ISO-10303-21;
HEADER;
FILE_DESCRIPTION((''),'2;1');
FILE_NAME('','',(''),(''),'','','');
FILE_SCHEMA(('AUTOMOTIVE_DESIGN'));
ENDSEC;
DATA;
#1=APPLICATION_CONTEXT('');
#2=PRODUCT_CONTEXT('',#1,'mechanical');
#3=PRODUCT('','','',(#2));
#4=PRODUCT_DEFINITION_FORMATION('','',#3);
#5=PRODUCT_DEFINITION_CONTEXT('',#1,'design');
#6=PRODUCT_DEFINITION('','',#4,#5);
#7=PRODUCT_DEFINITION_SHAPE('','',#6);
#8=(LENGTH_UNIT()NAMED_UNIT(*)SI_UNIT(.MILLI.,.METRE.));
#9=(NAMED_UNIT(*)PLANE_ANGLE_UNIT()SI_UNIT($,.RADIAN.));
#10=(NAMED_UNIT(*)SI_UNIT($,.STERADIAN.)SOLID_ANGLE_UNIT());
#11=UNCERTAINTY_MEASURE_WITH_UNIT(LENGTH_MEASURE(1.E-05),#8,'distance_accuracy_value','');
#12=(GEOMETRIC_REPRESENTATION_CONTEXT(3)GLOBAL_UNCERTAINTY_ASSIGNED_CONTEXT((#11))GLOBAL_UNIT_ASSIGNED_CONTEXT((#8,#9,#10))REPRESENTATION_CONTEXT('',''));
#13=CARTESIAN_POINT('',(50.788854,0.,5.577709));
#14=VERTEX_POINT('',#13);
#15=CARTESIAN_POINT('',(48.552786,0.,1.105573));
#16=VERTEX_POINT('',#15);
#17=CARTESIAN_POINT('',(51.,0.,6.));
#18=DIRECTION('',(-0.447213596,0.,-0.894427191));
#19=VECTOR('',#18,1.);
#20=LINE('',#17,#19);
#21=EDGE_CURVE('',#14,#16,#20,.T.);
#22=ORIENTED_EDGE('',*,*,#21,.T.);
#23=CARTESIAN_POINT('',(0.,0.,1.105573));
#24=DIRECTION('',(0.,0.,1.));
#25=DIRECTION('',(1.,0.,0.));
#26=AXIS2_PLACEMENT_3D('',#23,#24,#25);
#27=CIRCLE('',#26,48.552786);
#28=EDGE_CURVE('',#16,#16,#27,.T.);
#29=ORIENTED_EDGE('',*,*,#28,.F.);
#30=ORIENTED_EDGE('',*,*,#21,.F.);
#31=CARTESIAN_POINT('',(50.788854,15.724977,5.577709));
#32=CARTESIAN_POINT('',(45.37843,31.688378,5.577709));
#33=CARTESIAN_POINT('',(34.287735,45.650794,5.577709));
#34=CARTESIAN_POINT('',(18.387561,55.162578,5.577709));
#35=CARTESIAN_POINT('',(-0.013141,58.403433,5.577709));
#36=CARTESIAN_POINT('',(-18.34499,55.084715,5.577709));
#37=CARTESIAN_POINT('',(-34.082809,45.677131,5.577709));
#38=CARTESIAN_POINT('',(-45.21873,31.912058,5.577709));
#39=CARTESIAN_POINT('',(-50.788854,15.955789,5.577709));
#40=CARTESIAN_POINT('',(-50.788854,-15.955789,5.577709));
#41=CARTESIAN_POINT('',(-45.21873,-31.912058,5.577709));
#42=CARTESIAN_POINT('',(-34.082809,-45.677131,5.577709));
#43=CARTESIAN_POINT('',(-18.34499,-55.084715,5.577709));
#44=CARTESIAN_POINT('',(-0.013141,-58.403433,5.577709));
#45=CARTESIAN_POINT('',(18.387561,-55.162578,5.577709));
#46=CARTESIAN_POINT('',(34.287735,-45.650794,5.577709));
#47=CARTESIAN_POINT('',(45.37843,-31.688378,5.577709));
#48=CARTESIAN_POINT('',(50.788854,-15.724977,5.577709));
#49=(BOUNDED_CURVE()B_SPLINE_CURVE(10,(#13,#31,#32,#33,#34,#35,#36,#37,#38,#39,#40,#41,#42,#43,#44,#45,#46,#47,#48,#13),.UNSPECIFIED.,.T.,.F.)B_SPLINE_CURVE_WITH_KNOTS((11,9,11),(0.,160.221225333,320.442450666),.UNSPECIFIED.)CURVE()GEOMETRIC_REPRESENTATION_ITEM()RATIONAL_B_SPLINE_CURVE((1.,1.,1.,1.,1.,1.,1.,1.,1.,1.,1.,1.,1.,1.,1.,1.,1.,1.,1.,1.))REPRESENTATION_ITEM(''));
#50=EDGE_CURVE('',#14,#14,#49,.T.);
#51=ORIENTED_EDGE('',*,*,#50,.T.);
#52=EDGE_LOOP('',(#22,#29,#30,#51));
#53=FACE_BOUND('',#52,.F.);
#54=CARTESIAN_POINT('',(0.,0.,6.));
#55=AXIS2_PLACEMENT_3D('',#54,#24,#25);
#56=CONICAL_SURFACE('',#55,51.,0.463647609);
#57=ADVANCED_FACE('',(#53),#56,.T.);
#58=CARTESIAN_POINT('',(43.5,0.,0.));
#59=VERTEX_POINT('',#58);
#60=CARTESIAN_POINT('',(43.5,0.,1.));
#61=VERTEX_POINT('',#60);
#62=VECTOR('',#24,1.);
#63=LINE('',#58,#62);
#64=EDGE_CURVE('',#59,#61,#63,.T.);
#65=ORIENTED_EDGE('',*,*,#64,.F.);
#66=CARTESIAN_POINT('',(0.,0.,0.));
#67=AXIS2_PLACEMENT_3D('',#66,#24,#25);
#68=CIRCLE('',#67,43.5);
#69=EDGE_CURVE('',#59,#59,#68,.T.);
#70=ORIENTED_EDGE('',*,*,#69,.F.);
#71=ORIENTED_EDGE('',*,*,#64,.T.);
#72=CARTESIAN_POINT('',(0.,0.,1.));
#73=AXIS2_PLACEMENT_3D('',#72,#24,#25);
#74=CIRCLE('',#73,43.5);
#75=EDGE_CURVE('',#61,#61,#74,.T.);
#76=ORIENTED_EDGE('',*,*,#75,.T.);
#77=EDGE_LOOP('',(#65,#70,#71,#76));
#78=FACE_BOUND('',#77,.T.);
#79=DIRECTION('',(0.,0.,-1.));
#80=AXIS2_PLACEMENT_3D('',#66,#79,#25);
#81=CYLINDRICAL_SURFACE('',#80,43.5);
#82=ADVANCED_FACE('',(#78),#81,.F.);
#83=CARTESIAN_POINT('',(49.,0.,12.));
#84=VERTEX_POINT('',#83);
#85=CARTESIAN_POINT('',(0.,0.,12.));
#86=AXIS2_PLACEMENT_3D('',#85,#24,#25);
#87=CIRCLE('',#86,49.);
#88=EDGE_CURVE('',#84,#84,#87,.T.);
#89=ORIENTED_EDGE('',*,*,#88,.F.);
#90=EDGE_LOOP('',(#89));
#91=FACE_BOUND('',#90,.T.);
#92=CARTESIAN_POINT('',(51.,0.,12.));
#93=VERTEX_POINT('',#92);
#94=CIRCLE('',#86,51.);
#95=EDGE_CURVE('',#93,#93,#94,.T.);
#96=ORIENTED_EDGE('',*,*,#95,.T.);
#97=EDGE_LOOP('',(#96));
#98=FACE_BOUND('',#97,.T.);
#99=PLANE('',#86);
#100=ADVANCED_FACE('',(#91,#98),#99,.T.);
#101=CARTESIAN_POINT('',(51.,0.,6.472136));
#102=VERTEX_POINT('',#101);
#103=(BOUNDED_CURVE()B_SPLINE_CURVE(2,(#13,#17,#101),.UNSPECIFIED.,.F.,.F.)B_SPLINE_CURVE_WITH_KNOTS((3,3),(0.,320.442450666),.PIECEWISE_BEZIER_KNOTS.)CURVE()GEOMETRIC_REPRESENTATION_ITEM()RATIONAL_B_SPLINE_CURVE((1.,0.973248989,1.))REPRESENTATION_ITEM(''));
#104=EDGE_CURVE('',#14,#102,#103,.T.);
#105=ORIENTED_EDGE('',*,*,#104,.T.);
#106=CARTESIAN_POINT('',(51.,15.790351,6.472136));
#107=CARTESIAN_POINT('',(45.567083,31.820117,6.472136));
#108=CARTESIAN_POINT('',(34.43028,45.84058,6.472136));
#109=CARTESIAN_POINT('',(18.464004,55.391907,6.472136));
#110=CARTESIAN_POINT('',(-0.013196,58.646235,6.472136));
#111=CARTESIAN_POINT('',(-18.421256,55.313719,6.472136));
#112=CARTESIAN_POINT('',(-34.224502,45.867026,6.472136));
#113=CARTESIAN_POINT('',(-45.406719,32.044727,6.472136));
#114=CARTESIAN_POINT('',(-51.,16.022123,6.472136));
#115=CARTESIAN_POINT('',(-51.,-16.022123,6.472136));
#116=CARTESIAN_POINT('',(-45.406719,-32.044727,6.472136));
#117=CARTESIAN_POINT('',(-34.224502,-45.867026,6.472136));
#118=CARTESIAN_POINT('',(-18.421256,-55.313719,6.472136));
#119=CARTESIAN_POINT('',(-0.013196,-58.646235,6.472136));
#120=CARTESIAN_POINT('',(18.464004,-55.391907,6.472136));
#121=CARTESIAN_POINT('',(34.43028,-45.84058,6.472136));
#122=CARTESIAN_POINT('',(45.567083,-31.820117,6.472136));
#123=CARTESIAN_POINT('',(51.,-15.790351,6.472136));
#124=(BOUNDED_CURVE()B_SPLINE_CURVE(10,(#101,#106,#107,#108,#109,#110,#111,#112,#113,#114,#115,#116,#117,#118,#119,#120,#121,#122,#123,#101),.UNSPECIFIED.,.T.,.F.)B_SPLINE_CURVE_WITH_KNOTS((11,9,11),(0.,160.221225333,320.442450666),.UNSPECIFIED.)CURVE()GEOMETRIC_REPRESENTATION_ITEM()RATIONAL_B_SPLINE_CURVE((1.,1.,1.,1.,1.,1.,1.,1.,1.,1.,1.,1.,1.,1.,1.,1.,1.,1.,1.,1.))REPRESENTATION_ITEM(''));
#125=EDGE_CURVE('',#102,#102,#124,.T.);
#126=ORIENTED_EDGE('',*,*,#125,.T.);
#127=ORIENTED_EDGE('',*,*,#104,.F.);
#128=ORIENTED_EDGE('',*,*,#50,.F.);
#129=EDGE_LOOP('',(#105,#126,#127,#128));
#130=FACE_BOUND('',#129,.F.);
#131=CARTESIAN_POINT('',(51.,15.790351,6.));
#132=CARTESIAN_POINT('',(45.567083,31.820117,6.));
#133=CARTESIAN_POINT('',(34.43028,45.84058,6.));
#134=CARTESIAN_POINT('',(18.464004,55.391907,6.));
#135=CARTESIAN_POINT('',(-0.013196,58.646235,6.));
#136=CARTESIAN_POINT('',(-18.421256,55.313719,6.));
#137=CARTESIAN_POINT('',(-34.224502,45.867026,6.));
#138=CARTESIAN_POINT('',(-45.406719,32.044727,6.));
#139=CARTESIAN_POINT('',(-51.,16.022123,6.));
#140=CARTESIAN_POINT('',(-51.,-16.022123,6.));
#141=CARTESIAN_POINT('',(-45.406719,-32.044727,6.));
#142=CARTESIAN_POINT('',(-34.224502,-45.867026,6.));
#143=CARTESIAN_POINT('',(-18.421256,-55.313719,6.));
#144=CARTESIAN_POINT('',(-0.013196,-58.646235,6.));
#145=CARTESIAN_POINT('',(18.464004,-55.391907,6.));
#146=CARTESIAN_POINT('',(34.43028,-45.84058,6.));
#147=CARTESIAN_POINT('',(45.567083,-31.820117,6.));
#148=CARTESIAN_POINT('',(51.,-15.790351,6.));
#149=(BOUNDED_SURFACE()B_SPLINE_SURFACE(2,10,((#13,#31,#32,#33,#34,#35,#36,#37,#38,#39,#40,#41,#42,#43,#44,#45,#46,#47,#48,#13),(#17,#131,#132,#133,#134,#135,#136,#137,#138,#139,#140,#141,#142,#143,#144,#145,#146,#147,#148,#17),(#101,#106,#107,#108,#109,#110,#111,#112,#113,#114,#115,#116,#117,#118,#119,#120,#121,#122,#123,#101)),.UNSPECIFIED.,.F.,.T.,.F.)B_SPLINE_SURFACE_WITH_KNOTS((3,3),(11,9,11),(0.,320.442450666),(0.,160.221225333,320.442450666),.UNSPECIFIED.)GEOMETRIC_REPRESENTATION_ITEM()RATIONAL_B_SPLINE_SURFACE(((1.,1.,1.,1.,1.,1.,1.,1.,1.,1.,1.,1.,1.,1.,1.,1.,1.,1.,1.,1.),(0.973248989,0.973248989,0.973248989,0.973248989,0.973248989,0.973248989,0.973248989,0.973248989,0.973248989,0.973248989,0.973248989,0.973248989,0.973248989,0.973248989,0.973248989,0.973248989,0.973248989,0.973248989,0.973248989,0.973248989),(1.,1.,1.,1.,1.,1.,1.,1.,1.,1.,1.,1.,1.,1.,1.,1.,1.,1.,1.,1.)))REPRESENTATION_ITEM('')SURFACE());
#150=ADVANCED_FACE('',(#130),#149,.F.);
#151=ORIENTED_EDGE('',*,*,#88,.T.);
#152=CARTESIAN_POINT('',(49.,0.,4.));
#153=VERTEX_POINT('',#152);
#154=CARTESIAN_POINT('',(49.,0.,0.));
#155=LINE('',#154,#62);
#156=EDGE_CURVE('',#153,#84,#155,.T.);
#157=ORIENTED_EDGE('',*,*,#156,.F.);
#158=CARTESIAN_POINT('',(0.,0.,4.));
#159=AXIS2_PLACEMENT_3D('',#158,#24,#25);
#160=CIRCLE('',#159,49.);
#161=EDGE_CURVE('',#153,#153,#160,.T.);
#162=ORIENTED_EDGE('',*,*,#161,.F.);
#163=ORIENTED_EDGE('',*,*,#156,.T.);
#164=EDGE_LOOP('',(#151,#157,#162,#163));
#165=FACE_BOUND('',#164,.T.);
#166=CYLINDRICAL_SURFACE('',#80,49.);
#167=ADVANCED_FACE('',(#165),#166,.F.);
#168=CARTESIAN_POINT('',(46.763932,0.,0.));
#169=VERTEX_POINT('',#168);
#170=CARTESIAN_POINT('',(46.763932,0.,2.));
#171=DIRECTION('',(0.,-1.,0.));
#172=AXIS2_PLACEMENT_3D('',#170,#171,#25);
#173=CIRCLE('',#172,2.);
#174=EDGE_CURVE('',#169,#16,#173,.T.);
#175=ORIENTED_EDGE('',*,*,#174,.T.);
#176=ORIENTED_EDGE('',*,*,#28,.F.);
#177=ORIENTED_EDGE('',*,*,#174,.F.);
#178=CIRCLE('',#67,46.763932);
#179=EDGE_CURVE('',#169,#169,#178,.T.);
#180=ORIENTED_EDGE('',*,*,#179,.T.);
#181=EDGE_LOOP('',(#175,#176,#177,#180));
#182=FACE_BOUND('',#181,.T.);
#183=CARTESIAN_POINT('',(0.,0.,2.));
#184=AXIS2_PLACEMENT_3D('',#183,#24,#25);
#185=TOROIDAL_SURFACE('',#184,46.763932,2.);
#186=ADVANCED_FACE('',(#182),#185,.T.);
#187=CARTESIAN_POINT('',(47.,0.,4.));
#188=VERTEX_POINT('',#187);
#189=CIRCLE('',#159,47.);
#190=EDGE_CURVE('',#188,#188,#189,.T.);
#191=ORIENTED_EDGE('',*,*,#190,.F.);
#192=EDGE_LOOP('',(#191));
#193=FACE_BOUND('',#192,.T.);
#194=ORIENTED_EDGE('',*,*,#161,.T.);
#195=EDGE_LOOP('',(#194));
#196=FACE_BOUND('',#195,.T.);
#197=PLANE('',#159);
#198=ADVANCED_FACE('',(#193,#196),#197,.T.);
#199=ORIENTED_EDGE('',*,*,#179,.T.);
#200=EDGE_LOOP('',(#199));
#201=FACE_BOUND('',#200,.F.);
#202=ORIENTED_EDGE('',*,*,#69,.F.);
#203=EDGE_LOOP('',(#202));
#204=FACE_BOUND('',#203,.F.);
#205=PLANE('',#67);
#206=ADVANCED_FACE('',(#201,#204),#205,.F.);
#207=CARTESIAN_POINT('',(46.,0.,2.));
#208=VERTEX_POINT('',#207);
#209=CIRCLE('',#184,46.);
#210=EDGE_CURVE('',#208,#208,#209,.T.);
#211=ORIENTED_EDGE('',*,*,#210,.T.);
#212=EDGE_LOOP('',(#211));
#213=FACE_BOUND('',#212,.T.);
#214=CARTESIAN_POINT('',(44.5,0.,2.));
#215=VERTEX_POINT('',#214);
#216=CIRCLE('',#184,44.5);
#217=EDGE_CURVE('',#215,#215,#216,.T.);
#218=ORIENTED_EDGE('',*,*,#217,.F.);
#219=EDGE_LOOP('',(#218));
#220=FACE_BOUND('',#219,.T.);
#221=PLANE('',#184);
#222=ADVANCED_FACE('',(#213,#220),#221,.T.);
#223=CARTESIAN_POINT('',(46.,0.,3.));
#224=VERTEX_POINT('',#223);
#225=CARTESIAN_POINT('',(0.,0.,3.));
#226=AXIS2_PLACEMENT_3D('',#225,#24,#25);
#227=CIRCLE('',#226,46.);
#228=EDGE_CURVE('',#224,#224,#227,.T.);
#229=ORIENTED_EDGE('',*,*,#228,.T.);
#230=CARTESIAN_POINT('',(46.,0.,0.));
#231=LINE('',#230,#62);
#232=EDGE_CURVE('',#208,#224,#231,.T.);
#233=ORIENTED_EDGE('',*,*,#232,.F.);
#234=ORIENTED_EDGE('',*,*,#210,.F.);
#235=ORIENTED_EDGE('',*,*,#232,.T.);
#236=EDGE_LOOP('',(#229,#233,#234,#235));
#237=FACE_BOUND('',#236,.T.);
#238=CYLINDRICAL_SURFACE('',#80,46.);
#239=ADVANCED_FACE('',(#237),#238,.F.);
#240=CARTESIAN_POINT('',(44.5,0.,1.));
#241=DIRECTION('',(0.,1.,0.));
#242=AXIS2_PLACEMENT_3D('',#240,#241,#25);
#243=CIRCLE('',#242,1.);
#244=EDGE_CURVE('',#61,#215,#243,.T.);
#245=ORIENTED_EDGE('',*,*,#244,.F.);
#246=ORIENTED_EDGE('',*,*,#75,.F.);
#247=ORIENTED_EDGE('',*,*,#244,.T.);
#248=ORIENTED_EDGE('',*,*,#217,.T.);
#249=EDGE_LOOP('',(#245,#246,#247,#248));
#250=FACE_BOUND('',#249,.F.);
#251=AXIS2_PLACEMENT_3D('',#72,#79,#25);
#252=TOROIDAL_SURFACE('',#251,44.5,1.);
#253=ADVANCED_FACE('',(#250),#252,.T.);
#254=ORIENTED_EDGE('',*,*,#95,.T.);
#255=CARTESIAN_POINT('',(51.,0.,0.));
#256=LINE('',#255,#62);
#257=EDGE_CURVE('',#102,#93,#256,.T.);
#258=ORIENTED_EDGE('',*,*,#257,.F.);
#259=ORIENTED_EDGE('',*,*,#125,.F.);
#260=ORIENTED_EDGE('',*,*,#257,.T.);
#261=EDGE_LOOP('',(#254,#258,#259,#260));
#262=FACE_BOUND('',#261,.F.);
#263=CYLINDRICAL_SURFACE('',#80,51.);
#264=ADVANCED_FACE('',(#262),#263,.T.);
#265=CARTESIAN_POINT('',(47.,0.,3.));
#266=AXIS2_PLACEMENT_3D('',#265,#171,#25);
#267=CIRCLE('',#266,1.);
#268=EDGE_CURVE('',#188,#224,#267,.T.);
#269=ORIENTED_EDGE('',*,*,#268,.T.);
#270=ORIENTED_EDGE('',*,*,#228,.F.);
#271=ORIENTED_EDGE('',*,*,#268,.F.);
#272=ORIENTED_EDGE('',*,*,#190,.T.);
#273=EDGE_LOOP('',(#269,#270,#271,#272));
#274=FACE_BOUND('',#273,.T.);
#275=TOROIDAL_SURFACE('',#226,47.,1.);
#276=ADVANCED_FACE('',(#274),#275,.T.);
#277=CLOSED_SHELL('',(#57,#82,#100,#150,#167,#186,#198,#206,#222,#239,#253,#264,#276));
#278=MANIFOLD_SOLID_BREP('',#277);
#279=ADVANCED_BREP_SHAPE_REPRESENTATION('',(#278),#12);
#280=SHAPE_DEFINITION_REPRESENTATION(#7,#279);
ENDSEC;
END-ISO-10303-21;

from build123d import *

# Parameters (mm, degrees)
F0_R     = 46
F0_R_2   = 43.5
F1_DEPTH = 2
F0_R_3   = 49
F2_DEPTH = 4
F0_R_4   = 51
F3_DEPTH = 12
F4_R     = 1
F5_SIZE2 = 3
F5_SIZE  = 6
F6_R     = 2


with BuildPart() as f1:
    # F0 (on Top) → F1 (new body)
    with BuildSketch(Plane.XY):
        Circle(F0_R)
        Circle(F0_R_2, mode=Mode.SUBTRACT)
    extrude(amount=F1_DEPTH)

    # F0 (on Top) → F2 (join)
    with BuildSketch(Plane.XY):
        Circle(F0_R_3)
        Circle(F0_R, mode=Mode.SUBTRACT)
    extrude(amount=F2_DEPTH)

    # F0 (on Top) → F3 (join)
    with BuildSketch(Plane.XY):
        Circle(F0_R_4)
        Circle(F0_R_3, mode=Mode.SUBTRACT)
    extrude(amount=F3_DEPTH)

    # F4
    f4_edges = [f1.edges().sort_by_distance(p)[0] for p in [
        (-43.5, 0, 2),
        (-46, 0, 4),
    ]]
    fillet(f4_edges, radius=F4_R)

    # F5
    f5_edges = [f1.edges().sort_by_distance(p)[0] for p in [
        (-51, 0, 0),
    ]]
    f5_side = f1.faces().sort_by_distance((-51, 0, 6))[0]
    chamfer(f5_edges, length=F5_SIZE, length2=F5_SIZE2, reference=f5_side)

    # F6
    f6_edges = [f1.edges().sort_by_distance(p)[0] for p in [
        (-51, 0, 6),
        (49.5, 0, 3),
        (-48, 0, 0),
    ]]
    fillet(f6_edges, radius=F6_R)


solid = f1.part
